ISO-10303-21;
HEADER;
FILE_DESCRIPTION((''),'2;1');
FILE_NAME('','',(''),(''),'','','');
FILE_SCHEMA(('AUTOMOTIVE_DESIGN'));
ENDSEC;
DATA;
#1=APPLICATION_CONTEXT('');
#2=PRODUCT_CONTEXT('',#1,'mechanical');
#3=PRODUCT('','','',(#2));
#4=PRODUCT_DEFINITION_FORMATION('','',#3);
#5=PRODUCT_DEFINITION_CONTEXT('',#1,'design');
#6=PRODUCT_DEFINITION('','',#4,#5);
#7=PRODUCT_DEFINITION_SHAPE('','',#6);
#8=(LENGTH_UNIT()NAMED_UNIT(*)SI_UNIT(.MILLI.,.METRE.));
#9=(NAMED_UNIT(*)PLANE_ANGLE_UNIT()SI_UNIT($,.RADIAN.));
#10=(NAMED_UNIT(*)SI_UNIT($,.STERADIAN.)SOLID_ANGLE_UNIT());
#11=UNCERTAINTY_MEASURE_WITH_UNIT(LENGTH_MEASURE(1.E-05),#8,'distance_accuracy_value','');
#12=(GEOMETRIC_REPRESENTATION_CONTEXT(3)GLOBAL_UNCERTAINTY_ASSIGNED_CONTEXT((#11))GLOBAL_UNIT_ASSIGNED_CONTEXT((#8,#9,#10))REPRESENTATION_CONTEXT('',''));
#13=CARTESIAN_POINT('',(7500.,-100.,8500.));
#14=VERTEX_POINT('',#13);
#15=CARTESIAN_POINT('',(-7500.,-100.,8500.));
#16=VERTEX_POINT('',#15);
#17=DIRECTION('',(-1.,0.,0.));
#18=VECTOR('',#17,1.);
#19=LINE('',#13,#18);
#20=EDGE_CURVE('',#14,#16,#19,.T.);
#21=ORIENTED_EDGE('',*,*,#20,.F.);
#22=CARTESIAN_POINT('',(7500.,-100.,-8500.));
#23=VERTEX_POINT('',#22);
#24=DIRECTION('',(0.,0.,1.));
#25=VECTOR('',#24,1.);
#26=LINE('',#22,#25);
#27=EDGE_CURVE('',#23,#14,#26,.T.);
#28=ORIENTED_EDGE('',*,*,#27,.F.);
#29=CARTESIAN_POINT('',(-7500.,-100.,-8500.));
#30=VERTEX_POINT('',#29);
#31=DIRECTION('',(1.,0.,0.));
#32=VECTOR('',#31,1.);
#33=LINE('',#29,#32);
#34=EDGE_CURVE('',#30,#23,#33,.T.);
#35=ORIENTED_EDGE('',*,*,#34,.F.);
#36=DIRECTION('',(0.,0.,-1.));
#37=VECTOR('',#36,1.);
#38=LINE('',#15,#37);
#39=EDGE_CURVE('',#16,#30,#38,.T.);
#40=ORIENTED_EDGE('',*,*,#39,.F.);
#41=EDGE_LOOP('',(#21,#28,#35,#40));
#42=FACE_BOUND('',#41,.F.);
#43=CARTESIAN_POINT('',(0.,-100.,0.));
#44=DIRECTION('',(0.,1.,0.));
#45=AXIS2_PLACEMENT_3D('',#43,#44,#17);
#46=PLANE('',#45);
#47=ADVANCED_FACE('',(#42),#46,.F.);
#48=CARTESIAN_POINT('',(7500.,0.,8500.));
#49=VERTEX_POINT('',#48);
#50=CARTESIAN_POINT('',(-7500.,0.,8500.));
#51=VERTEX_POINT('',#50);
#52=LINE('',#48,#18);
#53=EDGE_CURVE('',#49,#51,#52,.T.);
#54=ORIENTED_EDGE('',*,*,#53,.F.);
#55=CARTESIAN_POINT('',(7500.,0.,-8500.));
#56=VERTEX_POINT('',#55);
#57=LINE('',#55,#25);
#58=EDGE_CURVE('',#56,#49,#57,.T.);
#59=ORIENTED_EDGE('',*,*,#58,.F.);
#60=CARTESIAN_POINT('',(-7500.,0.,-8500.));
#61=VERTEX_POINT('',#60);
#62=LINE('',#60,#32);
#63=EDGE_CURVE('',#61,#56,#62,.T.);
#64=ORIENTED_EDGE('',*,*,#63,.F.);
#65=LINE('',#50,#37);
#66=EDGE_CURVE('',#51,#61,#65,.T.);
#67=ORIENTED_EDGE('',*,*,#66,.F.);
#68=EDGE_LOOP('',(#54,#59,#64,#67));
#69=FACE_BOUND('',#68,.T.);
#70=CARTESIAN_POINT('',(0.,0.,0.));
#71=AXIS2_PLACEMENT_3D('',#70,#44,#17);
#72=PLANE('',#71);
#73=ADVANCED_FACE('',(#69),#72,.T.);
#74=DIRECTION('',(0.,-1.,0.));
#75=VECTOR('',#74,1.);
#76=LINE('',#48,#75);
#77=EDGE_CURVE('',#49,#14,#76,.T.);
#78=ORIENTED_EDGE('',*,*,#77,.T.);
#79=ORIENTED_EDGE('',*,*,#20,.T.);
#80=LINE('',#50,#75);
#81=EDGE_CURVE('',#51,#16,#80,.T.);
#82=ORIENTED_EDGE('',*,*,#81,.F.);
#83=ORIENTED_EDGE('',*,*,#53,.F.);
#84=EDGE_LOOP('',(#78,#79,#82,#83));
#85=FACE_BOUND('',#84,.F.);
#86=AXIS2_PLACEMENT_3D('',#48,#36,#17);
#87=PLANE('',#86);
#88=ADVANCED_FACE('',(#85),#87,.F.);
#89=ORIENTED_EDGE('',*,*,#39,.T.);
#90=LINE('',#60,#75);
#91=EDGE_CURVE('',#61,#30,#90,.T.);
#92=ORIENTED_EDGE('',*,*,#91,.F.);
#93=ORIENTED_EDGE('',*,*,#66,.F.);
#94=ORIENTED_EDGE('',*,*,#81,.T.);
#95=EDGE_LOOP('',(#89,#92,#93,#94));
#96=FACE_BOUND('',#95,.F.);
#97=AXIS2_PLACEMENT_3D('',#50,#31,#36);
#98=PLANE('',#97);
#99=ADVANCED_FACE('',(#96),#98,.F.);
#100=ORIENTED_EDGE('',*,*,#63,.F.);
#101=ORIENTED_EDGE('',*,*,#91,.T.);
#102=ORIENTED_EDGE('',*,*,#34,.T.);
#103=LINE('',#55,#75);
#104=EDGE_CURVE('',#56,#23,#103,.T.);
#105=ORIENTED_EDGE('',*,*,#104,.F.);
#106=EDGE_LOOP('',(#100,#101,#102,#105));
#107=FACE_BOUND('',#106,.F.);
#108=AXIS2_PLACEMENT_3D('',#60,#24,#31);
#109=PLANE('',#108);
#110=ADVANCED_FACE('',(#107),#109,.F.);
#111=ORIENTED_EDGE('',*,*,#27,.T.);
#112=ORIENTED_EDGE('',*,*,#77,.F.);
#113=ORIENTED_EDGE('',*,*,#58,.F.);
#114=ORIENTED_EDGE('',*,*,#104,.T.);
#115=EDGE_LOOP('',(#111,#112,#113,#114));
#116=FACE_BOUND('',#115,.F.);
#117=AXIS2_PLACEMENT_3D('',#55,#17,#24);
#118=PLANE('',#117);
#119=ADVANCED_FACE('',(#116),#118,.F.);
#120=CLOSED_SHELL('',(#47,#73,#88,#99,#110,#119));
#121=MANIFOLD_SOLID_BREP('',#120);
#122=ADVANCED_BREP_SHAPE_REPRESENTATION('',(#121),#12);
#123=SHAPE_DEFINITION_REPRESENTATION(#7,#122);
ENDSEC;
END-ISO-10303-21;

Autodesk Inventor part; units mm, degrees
ref_plane "YZ Plane" through (0, 0, 0) normal (1, 0, 0) x (0, 1, 0)
ref_plane "XZ Plane" through (0, 0, 0) normal (0, 1, 0) x (-1, 0, 0)
ref_plane "XY Plane" through (0, 0, 0) normal (0, 0, 1) x (1, 0, 0)
sketch "Sketch1" plane through (0, 0, 0) normal (0, 1, 0) x (-1, 0, 0)
  line L0 (7500, -8500) -> (-7500, -8500)
  line L1 (-7500, -8500) -> (-7500, 8500)
  line L2 (-7500, 8500) -> (7500, 8500)
  line L3 (7500, 8500) -> (7500, -8500)
  line L4 (-2275.6359, -3661.1722) -> (162.7641, -3661.1722)
  line L5 (162.7641, -3661.1722) -> (1381.9641, -5772.8885)
  line L6 (1381.9641, -5772.8885) -> (162.7641, -7884.6049)
  line L7 (162.7641, -7884.6049) -> (-2275.6359, -7884.6049)
  line L8 (-2275.6359, -7884.6049) -> (-3494.8359, -5772.8885)
  line L9 (-3494.8359, -5772.8885) -> (-2275.6359, -3661.1722)
  line L10 (-5986.3012, -586.0191) -> (-3547.9012, -586.0191)
  line L11 (-3547.9012, -586.0191) -> (-2328.7012, -2697.7354)
  line L12 (-2328.7012, -2697.7354) -> (-3547.9012, -4809.4518)
  line L13 (-3547.9012, -4809.4518) -> (-5986.3012, -4809.4518)
  line L14 (-5986.3012, -4809.4518) -> (-7205.5012, -2697.7354)
  line L15 (-7205.5012, -2697.7354) -> (-5986.3012, -586.0191)
  line L16 (-404, 4452) -> (-6500, 4452)
  line L17 (-6500, 4452) -> (-6500, 7500)
  line L18 (-6500, 7500) -> (-404, 7500)
  line L19 (-404, 7500) -> (-404, 4452)
  line L20 (-404, 904) -> (-6500, 904)
  line L21 (-6500, 904) -> (-6500, 3952)
  line L22 (-6500, 3952) -> (-404, 3952)
  line L23 (-404, 3952) -> (-404, 904)
  line L24 (4225.0332, -7263.1726) -> (1725.0332, -7263.1726)
  line L25 (1725.0332, -7263.1726) -> (1725.0332, -263.1726)
  line L26 (1725.0332, -263.1726) -> (4225.0332, -263.1726)
  line L27 (4225.0332, -263.1726) -> (4225.0332, -7263.1726)
  line L28 (2839.1001, 1663.417) -> (339.1001, 1663.417)
  line L29 (339.1001, 1663.417) -> (339.1001, 5963.417)
  line L30 (339.1001, 5963.417) -> (2839.1001, 5963.417)
  line L31 (2839.1001, 5963.417) -> (2839.1001, 1663.417)
  line L32 (7267.7679, -7967.4048) -> (4767.7679, -7967.4048)
  line L33 (4767.7679, -7967.4048) -> (4767.7679, -3667.4048)
  line L34 (4767.7679, -3667.4048) -> (7267.7679, -3667.4048)
  line L35 (7267.7679, -3667.4048) -> (7267.7679, -7967.4048)
  line L36 (7267.7679, -2667.4048) -> (4767.7679, -2667.4048)
  line L37 (4767.7679, -2667.4048) -> (4767.7679, 1632.5952)
  line L38 (4767.7679, 1632.5952) -> (7267.7679, 1632.5952)
  line L39 (7267.7679, 1632.5952) -> (7267.7679, -2667.4048)
  line L40 (6469.8057, 6878.7001) -> (4469.8057, 6878.7001)
  line L41 (4469.8057, 6878.7001) -> (4469.8057, 2878.7001)
  line L42 (4469.8057, 2878.7001) -> (6469.8057, 2878.7001)
  line L43 (6469.8057, 2878.7001) -> (6469.8057, 6878.7001)
  line L44 (6249.8685, 4749.3609) -> (5634.674, 4749.3609) construction
  line L45 (5634.674, 4749.3609) -> (5634.674, 4905.6819) construction
  line L46 (5634.674, 4905.6819) -> (6249.8685, 4905.6819) construction
  line L47 (6249.8685, 4905.6819) -> (6249.8685, 4749.3609) construction
  line L48 (6251.456, 4750.9484) -> (5636.2615, 4750.9484) construction
  line L49 (5636.2615, 4750.9484) -> (5636.2615, 4907.2694) construction
  line L50 (5636.2615, 4907.2694) -> (6251.456, 4907.2694) construction
  line L51 (6251.456, 4907.2694) -> (6251.456, 4750.9484) construction
  line L52 (3797.5267, -3823.2725) -> (3797.5267, -4237.535) construction
  line L53 (3797.5267, -4237.535) -> (2323.9448, -4237.535) construction
  line L54 (2323.9448, -4237.535) -> (2323.9448, -3823.2725) construction
  line L55 (2323.9448, -3823.2725) -> (3797.5267, -3823.2725) construction
  line L56 (2391.2927, 4139.6846) -> (2391.2927, 3725.4221) construction
  line L57 (2391.2927, 3725.4221) -> (917.7109, 3725.4221) construction
  line L58 (917.7109, 3725.4221) -> (917.7109, 4139.6846) construction
  line L59 (917.7109, 4139.6846) -> (2391.2927, 4139.6846) construction
  line L60 (6794.0548, -134.534) -> (6794.0548, -4844.324) construction
  line L61 (6794.0548, -4844.324) -> (5320.473, -4844.324) construction
  line L62 (5320.473, -4844.324) -> (5320.473, -134.534) construction
  line L63 (5320.473, -134.534) -> (6794.0548, -134.534) construction
  line L64 (417.146, -5565.7573) -> (417.146, -5980.0198) construction
  line L65 (417.146, -5980.0198) -> (-1056.4359, -5980.0198) construction
  line L66 (-1056.4359, -5980.0198) -> (-1056.4359, -5565.7573) construction
  line L67 (-1056.4359, -5565.7573) -> (417.146, -5565.7573) construction
  line L68 (-3888.6954, -3064.2354) -> (-3888.6954, -3478.498) construction
  line L69 (-3888.6954, -3478.498) -> (-5362.2773, -3478.498) construction
  line L70 (-5362.2773, -3478.498) -> (-5362.2773, -3064.2354) construction
  line L71 (-5362.2773, -3064.2354) -> (-3888.6954, -3064.2354) construction
  line L72 (6746.7668, 382.2846) -> (6746.7668, -31.9779) construction
  line L73 (6746.7668, -31.9779) -> (5273.185, -31.9779) construction
  line L74 (5273.185, -31.9779) -> (5273.185, 382.2846) construction
  line L75 (5273.185, 382.2846) -> (6746.7668, 382.2846) construction
  line L76 (-2167.1387, 5835.591) -> (-2167.1387, 5421.3284) construction
  line L77 (-2167.1387, 5421.3284) -> (-3640.7205, 5421.3284) construction
  line L78 (-3640.7205, 5421.3284) -> (-3640.7205, 5835.591) construction
  line L79 (-3640.7205, 5835.591) -> (-2167.1387, 5835.591) construction
  line L80 (-2493.5133, 1971.221) -> (-2493.5133, 1556.9585) construction
  line L81 (-2493.5133, 1556.9585) -> (-3967.0952, 1556.9585) construction
  line L82 (-3967.0952, 1556.9585) -> (-3967.0952, 1971.221) construction
  line L83 (-3967.0952, 1971.221) -> (-2493.5133, 1971.221) construction
  point P0 (0, 0)
  point P1 (0, -8500)
  point P2 (-7500, 0)
  point P3 (-1056.4359, -5772.8885)
  point P4 (-4767.1012, -2697.7354)
  dimension "d0" = 15000
  dimension "d1" = 17000
  dimension "d2" = 2438.4
  dimension "d3" = 6096
  dimension "d4" = 3048
  dimension "d5" = 1000
  dimension "d6" = 500
  dimension "d7" = 2500
  dimension "d8" = 7000
  dimension "d10" = 2500
  dimension "d11" = 4300
  dimension "d14" = 1000
  dimension "d15" = 1000
  dimension "d16" = 4000
  dimension "d17" = 2000
extrude "Extrusion1" add sketch "Sketch1" against normal blind 100 contours L0 L1 L2 L3 | L4 L5 L6 L7 L8 L9 | L10 L11 L12 L13 L14 L15 | L16 L17 L18 L19 | L20 L21 L22 L23 | L24 L25 L26 L27 | L28 L29 L30 L31 | L32 L33 L34 L35 | L36 L37 L38 L39 | L43 L42 L41 L40
properties part number "BungaCamp-Layout"
